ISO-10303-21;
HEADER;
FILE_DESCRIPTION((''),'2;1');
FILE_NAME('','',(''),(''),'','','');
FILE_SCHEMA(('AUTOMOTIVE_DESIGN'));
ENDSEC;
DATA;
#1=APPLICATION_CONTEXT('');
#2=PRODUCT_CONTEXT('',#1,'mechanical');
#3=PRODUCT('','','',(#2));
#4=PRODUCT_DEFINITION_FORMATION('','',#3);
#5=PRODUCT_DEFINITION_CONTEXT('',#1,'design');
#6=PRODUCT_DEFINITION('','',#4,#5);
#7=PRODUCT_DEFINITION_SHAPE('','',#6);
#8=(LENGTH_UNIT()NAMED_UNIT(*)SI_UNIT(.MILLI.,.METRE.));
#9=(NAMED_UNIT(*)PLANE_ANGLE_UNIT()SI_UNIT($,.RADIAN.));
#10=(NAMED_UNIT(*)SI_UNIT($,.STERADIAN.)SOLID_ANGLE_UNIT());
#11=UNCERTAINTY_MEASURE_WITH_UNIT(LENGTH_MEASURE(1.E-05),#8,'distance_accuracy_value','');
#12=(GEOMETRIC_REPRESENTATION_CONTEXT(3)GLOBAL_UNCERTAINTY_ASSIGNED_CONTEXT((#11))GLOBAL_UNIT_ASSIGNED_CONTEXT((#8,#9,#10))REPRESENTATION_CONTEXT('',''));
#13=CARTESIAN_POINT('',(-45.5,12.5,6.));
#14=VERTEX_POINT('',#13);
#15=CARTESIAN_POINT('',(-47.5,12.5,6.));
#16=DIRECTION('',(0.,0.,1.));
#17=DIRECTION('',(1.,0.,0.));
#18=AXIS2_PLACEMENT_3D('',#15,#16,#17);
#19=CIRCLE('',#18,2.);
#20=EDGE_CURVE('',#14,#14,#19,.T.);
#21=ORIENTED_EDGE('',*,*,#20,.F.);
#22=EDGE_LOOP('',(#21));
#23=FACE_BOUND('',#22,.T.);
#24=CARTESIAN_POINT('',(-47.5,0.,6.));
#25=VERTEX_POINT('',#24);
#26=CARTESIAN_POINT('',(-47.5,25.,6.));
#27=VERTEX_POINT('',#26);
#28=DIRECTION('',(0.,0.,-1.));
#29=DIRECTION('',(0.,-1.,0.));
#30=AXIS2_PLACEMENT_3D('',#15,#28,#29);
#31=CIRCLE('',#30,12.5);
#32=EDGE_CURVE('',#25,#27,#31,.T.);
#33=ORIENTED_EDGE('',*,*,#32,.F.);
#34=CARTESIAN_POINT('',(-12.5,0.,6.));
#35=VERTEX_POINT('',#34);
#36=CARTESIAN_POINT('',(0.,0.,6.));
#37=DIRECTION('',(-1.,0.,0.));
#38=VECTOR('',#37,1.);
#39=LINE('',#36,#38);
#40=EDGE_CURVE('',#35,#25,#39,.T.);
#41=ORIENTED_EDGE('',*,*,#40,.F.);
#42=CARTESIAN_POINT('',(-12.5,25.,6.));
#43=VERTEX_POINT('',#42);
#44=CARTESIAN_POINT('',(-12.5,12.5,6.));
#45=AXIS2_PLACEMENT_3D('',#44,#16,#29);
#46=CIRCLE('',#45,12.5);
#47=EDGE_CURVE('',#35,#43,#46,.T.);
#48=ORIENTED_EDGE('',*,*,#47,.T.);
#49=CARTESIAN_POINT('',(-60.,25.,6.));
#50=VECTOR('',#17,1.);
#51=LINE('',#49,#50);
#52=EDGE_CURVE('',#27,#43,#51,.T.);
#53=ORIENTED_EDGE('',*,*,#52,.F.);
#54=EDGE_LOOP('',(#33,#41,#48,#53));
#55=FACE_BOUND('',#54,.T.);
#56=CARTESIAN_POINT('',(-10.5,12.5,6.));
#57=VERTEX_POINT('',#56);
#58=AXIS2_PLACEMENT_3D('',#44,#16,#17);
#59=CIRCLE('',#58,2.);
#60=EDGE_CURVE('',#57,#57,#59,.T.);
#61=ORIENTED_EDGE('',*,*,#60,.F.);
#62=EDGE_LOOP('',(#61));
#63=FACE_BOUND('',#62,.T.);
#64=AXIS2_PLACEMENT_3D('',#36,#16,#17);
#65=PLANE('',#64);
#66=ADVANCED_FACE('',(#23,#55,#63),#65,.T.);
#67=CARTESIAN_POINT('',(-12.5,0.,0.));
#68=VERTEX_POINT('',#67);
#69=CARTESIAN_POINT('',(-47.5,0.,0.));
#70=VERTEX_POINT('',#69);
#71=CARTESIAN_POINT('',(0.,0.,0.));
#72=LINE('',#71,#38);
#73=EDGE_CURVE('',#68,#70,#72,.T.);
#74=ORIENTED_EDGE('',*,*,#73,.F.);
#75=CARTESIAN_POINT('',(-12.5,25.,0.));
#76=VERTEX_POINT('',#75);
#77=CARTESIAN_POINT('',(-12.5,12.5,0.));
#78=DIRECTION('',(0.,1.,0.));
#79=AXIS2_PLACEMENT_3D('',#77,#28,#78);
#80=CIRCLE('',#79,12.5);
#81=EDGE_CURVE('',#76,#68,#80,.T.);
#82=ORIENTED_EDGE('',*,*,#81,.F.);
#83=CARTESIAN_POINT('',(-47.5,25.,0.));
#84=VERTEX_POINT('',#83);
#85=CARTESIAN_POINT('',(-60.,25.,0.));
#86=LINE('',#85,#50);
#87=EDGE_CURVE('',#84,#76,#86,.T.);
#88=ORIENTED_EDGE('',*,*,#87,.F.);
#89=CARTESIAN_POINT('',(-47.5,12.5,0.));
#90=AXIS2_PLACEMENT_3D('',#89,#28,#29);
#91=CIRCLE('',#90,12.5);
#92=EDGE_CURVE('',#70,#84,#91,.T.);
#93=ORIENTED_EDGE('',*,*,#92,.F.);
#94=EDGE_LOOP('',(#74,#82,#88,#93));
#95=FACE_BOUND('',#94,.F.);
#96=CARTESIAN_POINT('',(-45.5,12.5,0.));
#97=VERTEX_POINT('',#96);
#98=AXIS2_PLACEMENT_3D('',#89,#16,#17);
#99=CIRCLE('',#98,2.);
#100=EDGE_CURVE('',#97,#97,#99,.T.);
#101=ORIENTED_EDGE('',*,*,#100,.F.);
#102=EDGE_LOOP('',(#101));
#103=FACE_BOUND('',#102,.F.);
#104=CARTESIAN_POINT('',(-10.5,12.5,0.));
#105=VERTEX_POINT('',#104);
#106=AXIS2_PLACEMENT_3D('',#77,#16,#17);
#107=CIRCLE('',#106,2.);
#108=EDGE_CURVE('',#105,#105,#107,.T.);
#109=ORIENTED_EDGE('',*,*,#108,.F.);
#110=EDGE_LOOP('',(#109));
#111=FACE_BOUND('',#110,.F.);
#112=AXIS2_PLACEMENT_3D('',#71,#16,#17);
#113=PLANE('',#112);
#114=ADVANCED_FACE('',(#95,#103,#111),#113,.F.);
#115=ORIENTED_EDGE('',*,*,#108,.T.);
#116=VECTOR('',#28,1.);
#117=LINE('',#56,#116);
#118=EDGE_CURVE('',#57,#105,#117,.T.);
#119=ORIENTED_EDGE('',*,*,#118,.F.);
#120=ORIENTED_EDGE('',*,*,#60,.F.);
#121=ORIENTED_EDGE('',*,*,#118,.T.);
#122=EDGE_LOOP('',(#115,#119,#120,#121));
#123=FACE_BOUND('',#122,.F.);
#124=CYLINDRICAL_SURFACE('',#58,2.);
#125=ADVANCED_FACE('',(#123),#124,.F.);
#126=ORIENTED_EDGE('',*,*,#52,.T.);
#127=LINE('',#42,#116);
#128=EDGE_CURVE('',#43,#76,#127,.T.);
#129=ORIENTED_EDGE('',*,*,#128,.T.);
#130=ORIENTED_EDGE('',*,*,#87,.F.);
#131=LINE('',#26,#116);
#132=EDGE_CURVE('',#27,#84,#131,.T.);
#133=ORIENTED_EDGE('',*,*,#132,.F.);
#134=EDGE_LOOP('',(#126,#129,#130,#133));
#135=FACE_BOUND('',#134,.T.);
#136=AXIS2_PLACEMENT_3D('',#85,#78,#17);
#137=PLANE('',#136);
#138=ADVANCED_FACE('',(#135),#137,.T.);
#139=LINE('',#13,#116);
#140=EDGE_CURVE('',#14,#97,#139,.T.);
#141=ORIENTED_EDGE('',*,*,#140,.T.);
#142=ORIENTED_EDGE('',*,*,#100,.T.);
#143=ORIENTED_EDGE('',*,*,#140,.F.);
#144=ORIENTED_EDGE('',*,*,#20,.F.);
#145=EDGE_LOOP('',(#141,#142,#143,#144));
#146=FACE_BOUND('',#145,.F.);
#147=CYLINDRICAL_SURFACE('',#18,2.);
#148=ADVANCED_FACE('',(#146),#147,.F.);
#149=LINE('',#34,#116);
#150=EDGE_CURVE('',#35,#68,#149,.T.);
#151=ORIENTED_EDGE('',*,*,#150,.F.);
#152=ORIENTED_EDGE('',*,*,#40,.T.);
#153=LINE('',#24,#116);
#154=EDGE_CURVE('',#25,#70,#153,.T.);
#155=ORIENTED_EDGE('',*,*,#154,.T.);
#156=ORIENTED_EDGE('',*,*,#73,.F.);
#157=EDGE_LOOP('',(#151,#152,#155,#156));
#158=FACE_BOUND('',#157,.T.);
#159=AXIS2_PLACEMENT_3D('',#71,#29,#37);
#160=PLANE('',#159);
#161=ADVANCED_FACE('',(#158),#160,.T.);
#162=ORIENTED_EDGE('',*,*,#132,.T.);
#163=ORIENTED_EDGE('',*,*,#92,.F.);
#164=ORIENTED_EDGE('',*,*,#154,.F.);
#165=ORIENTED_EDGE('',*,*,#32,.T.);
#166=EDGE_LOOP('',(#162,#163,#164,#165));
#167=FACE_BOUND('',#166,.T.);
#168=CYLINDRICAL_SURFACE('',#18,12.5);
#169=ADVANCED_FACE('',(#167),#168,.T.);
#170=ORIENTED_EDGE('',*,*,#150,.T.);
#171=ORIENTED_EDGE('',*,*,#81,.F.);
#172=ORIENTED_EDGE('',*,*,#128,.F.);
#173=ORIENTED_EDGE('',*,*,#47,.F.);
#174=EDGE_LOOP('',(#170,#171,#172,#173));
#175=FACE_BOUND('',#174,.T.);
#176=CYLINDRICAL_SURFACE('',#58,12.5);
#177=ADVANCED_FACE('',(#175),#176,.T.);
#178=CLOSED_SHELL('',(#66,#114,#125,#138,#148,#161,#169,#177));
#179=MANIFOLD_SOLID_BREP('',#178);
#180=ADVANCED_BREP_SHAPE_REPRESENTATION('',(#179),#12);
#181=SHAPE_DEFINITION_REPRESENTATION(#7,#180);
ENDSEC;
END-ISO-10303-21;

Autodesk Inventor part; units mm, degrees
ref_plane "YZ Plane" through (0, 0, 0) normal (1, 0, 0) x (0, 1, 0)
ref_plane "XZ Plane" through (0, 0, 0) normal (0, 1, 0) x (-1, 0, 0)
ref_plane "XY Plane" through (0, 0, 0) normal (0, 0, 1) x (1, 0, 0)
sketch "Sketch1" plane through (0, 0, 0) normal (0, 0, 1) x (1, 0, 0)
  line L0 (0, 0) -> (-60, 0)
  line L1 (-60, 0) -> (-60, 25)
  line L2 (-60, 25) -> (0, 25)
  line L3 (0, 25) -> (0, 0)
  dimension "d0" = 60
  dimension "d1" = 25
extrude "Extrusion3" add sketch "Sketch1" along normal blind 6
sketch "Sketch3" plane through (0, 0, 6) normal (0, 0, 1) x (1, 0, 0)
  circle A0 centre (-47.5, 12.5) radius 12.5
  line L0 (-60, 0) -> (0, 0) projected
  line L1 (-60, 25) -> (-60, 0) projected
  circle A1 centre (-12.5, 12.5) radius 12.5
  line L2 (0, 25) -> (-60, 25) projected
  line L3 (0, 0) -> (0, 25) projected
  circle A2 centre (-47.5, 12.5) radius 2
  circle A3 centre (-12.5, 12.5) radius 2
  point P0 (0, 12.5)
  point P1 (-12.5, 0)
  point P2 (-12.5, 25)
  point P3 (-47.5, 25)
  point P4 (-60, 12.5)
  point P5 (-47.5, 0)
  dimension "d16" = 25
  dimension "d17" = 12.5
  dimension "d18" = 12.5
  dimension "d19" = 25
  dimension "d20" = 12.5
  dimension "d21" = 12.5
  dimension "d22" = 4
  dimension "d23" = 4
extrude "Extrusion4" cut sketch "Sketch3" against normal blind 6 contours A0 L1 L2 | L0 L1 A0 | L2 L3 A1 | A1 L3 L0 | A2 | A3
properties part number "Middle"
